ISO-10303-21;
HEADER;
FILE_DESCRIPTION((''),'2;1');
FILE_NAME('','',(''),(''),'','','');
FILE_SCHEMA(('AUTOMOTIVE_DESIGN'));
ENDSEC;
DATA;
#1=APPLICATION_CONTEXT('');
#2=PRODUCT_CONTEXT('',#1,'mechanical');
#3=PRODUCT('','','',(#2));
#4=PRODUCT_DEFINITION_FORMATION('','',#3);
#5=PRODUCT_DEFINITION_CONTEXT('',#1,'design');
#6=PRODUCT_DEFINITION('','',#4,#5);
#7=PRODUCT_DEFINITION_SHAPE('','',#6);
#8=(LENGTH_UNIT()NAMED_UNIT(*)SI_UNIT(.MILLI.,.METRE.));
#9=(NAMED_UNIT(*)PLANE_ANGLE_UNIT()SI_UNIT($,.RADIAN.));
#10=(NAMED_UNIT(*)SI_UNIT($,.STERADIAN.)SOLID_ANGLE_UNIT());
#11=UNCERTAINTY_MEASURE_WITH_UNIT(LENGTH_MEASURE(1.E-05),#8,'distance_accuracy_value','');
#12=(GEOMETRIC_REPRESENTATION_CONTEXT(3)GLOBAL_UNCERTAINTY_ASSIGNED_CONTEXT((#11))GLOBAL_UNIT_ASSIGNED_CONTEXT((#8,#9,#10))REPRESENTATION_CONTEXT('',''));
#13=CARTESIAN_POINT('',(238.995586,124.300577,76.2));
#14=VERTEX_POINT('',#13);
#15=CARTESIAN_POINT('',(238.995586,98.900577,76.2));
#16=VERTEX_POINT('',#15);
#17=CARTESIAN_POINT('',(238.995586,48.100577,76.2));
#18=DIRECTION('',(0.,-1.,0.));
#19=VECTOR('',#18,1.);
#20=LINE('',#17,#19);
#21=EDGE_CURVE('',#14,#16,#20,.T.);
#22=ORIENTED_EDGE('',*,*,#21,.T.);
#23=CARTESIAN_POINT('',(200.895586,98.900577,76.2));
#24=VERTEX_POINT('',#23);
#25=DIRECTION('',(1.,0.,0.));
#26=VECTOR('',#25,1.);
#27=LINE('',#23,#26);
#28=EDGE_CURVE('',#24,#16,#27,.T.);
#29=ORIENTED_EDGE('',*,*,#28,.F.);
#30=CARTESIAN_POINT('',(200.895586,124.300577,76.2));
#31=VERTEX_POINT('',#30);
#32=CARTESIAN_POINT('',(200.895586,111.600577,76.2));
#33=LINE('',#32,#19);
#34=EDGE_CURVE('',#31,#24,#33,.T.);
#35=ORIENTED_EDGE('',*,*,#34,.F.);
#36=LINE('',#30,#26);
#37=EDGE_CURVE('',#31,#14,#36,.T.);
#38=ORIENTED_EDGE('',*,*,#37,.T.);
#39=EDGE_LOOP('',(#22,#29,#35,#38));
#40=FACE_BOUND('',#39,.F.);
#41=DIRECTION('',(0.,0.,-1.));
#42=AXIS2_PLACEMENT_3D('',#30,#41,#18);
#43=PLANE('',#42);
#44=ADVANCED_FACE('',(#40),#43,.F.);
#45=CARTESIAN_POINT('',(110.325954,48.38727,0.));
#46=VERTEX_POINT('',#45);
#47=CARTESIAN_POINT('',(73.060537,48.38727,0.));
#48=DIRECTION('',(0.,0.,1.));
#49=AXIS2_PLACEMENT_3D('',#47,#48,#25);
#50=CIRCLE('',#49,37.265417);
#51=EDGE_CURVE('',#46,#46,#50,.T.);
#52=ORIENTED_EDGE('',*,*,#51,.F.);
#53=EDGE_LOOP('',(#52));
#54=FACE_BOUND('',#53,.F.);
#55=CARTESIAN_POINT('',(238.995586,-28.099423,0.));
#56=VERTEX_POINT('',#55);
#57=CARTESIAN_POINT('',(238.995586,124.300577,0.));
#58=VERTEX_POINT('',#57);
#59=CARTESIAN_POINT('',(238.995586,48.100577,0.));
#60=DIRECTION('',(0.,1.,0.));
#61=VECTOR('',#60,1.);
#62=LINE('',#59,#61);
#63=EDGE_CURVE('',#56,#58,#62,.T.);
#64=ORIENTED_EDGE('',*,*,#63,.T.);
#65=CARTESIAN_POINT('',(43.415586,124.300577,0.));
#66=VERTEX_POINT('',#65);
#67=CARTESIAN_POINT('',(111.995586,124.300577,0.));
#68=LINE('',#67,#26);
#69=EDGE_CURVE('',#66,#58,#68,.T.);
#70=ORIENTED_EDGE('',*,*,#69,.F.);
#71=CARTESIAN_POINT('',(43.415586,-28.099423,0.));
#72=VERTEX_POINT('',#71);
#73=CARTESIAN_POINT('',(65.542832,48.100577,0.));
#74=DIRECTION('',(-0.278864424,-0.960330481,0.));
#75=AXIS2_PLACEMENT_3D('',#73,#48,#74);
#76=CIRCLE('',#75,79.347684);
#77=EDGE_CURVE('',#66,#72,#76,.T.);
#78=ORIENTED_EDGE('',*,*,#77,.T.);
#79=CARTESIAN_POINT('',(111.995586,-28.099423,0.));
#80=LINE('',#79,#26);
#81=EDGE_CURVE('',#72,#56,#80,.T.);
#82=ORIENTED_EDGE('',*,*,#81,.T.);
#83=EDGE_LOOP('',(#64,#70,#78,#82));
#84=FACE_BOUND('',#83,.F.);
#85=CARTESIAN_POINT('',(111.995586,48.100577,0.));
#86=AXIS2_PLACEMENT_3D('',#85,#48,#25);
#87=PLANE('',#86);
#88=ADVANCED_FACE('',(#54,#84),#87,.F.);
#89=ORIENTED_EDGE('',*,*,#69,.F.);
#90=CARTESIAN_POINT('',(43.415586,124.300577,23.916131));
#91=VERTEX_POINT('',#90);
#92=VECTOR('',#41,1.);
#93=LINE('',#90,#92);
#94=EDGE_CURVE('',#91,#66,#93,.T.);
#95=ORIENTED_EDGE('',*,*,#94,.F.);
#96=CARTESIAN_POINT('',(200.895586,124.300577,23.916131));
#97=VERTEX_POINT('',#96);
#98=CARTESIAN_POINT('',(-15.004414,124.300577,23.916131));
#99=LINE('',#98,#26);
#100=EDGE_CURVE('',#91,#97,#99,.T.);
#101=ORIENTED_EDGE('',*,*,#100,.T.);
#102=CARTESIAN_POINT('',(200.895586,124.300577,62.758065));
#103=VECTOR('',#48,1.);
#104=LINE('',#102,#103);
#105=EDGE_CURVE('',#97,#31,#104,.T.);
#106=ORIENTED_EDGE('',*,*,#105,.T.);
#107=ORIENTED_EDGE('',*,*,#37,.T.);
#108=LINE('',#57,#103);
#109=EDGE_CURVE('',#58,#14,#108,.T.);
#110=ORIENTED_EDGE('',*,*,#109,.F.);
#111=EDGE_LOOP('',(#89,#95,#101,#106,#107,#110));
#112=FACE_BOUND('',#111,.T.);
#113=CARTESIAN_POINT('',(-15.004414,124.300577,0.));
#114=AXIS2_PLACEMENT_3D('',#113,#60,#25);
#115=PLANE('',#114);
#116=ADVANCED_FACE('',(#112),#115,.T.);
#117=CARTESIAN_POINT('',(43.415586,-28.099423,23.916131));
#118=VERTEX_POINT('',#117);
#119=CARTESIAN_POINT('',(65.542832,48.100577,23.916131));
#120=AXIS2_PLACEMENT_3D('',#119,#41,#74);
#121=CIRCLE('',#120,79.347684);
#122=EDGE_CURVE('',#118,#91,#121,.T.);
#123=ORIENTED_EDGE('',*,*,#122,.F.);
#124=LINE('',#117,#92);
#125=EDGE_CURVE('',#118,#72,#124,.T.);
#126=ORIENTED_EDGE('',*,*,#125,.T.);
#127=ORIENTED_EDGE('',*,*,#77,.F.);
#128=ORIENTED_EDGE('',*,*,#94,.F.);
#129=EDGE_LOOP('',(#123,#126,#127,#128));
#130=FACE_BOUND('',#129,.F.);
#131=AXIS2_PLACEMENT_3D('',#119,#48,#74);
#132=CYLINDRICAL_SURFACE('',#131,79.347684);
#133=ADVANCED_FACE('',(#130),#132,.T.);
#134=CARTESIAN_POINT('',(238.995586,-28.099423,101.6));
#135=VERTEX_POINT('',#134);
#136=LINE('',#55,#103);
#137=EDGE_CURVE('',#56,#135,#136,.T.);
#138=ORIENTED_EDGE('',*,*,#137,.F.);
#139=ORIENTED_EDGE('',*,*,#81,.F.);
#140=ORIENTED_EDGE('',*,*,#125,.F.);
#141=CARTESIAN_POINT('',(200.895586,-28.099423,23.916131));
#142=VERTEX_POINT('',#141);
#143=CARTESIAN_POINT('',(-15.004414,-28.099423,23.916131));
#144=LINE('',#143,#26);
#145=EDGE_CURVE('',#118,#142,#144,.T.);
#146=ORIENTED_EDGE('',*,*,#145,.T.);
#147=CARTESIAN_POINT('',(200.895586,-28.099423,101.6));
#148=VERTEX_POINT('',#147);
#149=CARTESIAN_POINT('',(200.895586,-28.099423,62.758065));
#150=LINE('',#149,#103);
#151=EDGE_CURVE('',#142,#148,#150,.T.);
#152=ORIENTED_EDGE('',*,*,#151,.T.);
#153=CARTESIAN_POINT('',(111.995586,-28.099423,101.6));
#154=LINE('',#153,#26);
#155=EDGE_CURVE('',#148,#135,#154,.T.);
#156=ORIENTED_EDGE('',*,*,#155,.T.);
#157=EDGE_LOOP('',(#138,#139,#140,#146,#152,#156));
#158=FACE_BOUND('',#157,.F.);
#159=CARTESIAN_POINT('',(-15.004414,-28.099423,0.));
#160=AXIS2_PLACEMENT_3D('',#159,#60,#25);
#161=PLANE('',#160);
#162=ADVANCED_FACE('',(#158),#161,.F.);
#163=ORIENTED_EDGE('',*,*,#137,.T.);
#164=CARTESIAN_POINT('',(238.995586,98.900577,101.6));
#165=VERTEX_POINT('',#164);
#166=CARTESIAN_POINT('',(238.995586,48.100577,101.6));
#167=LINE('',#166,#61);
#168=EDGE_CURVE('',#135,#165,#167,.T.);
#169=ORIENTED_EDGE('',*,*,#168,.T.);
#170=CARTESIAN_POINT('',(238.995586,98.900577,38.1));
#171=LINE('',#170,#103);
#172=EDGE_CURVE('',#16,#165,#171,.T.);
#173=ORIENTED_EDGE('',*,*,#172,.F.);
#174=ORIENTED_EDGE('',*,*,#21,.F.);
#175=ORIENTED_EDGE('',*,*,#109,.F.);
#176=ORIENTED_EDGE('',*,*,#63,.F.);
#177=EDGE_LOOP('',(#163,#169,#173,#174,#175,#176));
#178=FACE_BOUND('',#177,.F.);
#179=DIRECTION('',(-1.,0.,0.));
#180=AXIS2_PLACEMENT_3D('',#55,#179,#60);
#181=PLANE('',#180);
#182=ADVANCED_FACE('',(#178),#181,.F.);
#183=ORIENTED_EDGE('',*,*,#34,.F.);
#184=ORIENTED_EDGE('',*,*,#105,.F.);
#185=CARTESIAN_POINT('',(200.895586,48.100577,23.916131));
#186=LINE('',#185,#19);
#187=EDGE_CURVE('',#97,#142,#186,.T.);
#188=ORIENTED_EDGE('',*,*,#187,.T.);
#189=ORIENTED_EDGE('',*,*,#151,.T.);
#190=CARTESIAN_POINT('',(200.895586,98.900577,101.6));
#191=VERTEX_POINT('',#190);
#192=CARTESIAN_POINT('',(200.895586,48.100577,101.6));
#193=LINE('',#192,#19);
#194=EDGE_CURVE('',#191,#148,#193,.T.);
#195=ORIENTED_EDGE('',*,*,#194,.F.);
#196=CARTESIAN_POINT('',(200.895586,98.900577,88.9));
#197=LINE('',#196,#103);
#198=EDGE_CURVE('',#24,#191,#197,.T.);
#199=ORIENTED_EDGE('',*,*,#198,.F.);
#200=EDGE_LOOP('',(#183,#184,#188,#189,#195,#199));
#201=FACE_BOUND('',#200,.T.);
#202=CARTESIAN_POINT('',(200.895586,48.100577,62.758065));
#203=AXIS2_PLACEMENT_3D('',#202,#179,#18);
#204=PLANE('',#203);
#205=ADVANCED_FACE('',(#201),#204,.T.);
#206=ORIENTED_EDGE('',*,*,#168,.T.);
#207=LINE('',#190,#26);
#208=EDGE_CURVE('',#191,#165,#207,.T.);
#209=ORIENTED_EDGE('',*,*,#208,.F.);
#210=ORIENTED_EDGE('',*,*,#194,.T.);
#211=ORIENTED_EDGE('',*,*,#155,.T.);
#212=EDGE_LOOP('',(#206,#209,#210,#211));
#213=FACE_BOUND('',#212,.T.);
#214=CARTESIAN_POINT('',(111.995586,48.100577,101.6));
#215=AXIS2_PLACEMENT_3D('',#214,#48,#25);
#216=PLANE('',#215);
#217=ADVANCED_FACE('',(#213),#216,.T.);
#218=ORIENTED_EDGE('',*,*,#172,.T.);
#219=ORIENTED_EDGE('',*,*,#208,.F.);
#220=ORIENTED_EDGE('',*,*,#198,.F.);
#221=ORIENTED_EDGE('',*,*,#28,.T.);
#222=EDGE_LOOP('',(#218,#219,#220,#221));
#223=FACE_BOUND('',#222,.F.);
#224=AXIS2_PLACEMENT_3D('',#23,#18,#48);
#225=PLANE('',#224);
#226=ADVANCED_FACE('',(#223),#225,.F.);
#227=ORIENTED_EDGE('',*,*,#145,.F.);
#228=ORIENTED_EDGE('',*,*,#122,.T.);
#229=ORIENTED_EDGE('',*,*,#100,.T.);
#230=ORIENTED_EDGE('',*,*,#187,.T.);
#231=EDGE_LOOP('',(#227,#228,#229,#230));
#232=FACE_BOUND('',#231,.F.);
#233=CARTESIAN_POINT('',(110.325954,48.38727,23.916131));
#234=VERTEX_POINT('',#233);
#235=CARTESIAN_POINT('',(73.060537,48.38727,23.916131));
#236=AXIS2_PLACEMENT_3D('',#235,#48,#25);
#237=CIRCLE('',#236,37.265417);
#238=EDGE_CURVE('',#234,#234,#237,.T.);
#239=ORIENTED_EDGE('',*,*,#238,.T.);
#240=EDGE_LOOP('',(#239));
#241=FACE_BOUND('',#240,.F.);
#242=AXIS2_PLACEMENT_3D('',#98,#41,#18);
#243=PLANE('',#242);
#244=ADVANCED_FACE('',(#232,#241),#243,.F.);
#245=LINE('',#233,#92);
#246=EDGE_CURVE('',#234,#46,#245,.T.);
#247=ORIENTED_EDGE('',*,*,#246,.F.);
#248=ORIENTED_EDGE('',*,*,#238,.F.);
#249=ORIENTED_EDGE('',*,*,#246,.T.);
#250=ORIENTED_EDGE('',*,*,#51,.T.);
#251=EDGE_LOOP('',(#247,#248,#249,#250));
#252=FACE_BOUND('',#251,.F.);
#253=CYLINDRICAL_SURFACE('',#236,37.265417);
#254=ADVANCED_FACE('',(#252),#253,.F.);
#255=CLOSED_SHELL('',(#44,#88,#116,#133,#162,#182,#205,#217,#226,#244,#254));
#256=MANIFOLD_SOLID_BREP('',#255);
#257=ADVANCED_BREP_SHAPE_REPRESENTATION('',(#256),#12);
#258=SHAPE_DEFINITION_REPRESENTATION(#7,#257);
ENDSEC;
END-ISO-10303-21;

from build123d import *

# Parameters (mm, degrees)
F0_W     = 254
F0_H     = 152.4
F1_DEPTH = 101.6
F2_W     = 152.4
F2_H     = 77.6838691145
F3_DEPTH = 215.9
F4_W     = 25.4
F4_H     = 25.4
F5_DEPTH = 50.8
F8_DEPTH = 25.4
F6_R     = 37.2654170077
F9_DEPTH = 25.4


with BuildPart() as f1:
    # F0 (on Top) → F1 (new body)
    with BuildSketch(Plane.XY):
        with Locations((111.9955861747, 48.1005767256)):
            Rectangle(F0_W, F0_H)
    extrude(amount=F1_DEPTH)

    # F2 (on face) → F3 (cut)
    with BuildSketch(Plane(origin=(-15.0044138253, 0, 0), x_dir=(0, -1, 0), z_dir=(-1, 0, 0))):
        with Locations((-48.1005767256, 62.7580654427)):
            Rectangle(F2_W, F2_H)
    extrude(amount=-F3_DEPTH, mode=Mode.SUBTRACT)

    # F4 (on face) → F5 (cut)
    with BuildSketch(Plane(origin=(200.8955861747, 0, 0), x_dir=(0, -1, 0), z_dir=(-1, 0, 0))):
        with Locations((-111.6005767256, 88.9)):
            Rectangle(F4_W, F4_H)
    extrude(amount=-F5_DEPTH, mode=Mode.SUBTRACT)

    # F7 (on face) → F8 (cut)
    with BuildSketch(Plane.XY.offset(23.9161308855)):
        with BuildLine():
            ThreePointArc((43.4155861747, -28.0994232744), (-13.8048519796, 48.1005767256), (43.4155861747, 124.3005767256))
            Line((43.4155861747, 124.3005767256), (-15.0044138253, 124.3005767256))
            Line((-15.0044138253, 124.3005767256), (-15.0044138253, -28.0994232744))
            Line((-15.0044138253, -28.0994232744), (43.4155861747, -28.0994232744))
        make_face()
    extrude(amount=-F8_DEPTH, mode=Mode.SUBTRACT)

    # F6 (on face) → F9 (cut)
    with BuildSketch(Plane.XY.offset(23.9161308855)):
        with Locations((73.0605365211, 48.3872703384)):
            Circle(F6_R)
    extrude(amount=-F9_DEPTH, mode=Mode.SUBTRACT)


solid = f1.part
